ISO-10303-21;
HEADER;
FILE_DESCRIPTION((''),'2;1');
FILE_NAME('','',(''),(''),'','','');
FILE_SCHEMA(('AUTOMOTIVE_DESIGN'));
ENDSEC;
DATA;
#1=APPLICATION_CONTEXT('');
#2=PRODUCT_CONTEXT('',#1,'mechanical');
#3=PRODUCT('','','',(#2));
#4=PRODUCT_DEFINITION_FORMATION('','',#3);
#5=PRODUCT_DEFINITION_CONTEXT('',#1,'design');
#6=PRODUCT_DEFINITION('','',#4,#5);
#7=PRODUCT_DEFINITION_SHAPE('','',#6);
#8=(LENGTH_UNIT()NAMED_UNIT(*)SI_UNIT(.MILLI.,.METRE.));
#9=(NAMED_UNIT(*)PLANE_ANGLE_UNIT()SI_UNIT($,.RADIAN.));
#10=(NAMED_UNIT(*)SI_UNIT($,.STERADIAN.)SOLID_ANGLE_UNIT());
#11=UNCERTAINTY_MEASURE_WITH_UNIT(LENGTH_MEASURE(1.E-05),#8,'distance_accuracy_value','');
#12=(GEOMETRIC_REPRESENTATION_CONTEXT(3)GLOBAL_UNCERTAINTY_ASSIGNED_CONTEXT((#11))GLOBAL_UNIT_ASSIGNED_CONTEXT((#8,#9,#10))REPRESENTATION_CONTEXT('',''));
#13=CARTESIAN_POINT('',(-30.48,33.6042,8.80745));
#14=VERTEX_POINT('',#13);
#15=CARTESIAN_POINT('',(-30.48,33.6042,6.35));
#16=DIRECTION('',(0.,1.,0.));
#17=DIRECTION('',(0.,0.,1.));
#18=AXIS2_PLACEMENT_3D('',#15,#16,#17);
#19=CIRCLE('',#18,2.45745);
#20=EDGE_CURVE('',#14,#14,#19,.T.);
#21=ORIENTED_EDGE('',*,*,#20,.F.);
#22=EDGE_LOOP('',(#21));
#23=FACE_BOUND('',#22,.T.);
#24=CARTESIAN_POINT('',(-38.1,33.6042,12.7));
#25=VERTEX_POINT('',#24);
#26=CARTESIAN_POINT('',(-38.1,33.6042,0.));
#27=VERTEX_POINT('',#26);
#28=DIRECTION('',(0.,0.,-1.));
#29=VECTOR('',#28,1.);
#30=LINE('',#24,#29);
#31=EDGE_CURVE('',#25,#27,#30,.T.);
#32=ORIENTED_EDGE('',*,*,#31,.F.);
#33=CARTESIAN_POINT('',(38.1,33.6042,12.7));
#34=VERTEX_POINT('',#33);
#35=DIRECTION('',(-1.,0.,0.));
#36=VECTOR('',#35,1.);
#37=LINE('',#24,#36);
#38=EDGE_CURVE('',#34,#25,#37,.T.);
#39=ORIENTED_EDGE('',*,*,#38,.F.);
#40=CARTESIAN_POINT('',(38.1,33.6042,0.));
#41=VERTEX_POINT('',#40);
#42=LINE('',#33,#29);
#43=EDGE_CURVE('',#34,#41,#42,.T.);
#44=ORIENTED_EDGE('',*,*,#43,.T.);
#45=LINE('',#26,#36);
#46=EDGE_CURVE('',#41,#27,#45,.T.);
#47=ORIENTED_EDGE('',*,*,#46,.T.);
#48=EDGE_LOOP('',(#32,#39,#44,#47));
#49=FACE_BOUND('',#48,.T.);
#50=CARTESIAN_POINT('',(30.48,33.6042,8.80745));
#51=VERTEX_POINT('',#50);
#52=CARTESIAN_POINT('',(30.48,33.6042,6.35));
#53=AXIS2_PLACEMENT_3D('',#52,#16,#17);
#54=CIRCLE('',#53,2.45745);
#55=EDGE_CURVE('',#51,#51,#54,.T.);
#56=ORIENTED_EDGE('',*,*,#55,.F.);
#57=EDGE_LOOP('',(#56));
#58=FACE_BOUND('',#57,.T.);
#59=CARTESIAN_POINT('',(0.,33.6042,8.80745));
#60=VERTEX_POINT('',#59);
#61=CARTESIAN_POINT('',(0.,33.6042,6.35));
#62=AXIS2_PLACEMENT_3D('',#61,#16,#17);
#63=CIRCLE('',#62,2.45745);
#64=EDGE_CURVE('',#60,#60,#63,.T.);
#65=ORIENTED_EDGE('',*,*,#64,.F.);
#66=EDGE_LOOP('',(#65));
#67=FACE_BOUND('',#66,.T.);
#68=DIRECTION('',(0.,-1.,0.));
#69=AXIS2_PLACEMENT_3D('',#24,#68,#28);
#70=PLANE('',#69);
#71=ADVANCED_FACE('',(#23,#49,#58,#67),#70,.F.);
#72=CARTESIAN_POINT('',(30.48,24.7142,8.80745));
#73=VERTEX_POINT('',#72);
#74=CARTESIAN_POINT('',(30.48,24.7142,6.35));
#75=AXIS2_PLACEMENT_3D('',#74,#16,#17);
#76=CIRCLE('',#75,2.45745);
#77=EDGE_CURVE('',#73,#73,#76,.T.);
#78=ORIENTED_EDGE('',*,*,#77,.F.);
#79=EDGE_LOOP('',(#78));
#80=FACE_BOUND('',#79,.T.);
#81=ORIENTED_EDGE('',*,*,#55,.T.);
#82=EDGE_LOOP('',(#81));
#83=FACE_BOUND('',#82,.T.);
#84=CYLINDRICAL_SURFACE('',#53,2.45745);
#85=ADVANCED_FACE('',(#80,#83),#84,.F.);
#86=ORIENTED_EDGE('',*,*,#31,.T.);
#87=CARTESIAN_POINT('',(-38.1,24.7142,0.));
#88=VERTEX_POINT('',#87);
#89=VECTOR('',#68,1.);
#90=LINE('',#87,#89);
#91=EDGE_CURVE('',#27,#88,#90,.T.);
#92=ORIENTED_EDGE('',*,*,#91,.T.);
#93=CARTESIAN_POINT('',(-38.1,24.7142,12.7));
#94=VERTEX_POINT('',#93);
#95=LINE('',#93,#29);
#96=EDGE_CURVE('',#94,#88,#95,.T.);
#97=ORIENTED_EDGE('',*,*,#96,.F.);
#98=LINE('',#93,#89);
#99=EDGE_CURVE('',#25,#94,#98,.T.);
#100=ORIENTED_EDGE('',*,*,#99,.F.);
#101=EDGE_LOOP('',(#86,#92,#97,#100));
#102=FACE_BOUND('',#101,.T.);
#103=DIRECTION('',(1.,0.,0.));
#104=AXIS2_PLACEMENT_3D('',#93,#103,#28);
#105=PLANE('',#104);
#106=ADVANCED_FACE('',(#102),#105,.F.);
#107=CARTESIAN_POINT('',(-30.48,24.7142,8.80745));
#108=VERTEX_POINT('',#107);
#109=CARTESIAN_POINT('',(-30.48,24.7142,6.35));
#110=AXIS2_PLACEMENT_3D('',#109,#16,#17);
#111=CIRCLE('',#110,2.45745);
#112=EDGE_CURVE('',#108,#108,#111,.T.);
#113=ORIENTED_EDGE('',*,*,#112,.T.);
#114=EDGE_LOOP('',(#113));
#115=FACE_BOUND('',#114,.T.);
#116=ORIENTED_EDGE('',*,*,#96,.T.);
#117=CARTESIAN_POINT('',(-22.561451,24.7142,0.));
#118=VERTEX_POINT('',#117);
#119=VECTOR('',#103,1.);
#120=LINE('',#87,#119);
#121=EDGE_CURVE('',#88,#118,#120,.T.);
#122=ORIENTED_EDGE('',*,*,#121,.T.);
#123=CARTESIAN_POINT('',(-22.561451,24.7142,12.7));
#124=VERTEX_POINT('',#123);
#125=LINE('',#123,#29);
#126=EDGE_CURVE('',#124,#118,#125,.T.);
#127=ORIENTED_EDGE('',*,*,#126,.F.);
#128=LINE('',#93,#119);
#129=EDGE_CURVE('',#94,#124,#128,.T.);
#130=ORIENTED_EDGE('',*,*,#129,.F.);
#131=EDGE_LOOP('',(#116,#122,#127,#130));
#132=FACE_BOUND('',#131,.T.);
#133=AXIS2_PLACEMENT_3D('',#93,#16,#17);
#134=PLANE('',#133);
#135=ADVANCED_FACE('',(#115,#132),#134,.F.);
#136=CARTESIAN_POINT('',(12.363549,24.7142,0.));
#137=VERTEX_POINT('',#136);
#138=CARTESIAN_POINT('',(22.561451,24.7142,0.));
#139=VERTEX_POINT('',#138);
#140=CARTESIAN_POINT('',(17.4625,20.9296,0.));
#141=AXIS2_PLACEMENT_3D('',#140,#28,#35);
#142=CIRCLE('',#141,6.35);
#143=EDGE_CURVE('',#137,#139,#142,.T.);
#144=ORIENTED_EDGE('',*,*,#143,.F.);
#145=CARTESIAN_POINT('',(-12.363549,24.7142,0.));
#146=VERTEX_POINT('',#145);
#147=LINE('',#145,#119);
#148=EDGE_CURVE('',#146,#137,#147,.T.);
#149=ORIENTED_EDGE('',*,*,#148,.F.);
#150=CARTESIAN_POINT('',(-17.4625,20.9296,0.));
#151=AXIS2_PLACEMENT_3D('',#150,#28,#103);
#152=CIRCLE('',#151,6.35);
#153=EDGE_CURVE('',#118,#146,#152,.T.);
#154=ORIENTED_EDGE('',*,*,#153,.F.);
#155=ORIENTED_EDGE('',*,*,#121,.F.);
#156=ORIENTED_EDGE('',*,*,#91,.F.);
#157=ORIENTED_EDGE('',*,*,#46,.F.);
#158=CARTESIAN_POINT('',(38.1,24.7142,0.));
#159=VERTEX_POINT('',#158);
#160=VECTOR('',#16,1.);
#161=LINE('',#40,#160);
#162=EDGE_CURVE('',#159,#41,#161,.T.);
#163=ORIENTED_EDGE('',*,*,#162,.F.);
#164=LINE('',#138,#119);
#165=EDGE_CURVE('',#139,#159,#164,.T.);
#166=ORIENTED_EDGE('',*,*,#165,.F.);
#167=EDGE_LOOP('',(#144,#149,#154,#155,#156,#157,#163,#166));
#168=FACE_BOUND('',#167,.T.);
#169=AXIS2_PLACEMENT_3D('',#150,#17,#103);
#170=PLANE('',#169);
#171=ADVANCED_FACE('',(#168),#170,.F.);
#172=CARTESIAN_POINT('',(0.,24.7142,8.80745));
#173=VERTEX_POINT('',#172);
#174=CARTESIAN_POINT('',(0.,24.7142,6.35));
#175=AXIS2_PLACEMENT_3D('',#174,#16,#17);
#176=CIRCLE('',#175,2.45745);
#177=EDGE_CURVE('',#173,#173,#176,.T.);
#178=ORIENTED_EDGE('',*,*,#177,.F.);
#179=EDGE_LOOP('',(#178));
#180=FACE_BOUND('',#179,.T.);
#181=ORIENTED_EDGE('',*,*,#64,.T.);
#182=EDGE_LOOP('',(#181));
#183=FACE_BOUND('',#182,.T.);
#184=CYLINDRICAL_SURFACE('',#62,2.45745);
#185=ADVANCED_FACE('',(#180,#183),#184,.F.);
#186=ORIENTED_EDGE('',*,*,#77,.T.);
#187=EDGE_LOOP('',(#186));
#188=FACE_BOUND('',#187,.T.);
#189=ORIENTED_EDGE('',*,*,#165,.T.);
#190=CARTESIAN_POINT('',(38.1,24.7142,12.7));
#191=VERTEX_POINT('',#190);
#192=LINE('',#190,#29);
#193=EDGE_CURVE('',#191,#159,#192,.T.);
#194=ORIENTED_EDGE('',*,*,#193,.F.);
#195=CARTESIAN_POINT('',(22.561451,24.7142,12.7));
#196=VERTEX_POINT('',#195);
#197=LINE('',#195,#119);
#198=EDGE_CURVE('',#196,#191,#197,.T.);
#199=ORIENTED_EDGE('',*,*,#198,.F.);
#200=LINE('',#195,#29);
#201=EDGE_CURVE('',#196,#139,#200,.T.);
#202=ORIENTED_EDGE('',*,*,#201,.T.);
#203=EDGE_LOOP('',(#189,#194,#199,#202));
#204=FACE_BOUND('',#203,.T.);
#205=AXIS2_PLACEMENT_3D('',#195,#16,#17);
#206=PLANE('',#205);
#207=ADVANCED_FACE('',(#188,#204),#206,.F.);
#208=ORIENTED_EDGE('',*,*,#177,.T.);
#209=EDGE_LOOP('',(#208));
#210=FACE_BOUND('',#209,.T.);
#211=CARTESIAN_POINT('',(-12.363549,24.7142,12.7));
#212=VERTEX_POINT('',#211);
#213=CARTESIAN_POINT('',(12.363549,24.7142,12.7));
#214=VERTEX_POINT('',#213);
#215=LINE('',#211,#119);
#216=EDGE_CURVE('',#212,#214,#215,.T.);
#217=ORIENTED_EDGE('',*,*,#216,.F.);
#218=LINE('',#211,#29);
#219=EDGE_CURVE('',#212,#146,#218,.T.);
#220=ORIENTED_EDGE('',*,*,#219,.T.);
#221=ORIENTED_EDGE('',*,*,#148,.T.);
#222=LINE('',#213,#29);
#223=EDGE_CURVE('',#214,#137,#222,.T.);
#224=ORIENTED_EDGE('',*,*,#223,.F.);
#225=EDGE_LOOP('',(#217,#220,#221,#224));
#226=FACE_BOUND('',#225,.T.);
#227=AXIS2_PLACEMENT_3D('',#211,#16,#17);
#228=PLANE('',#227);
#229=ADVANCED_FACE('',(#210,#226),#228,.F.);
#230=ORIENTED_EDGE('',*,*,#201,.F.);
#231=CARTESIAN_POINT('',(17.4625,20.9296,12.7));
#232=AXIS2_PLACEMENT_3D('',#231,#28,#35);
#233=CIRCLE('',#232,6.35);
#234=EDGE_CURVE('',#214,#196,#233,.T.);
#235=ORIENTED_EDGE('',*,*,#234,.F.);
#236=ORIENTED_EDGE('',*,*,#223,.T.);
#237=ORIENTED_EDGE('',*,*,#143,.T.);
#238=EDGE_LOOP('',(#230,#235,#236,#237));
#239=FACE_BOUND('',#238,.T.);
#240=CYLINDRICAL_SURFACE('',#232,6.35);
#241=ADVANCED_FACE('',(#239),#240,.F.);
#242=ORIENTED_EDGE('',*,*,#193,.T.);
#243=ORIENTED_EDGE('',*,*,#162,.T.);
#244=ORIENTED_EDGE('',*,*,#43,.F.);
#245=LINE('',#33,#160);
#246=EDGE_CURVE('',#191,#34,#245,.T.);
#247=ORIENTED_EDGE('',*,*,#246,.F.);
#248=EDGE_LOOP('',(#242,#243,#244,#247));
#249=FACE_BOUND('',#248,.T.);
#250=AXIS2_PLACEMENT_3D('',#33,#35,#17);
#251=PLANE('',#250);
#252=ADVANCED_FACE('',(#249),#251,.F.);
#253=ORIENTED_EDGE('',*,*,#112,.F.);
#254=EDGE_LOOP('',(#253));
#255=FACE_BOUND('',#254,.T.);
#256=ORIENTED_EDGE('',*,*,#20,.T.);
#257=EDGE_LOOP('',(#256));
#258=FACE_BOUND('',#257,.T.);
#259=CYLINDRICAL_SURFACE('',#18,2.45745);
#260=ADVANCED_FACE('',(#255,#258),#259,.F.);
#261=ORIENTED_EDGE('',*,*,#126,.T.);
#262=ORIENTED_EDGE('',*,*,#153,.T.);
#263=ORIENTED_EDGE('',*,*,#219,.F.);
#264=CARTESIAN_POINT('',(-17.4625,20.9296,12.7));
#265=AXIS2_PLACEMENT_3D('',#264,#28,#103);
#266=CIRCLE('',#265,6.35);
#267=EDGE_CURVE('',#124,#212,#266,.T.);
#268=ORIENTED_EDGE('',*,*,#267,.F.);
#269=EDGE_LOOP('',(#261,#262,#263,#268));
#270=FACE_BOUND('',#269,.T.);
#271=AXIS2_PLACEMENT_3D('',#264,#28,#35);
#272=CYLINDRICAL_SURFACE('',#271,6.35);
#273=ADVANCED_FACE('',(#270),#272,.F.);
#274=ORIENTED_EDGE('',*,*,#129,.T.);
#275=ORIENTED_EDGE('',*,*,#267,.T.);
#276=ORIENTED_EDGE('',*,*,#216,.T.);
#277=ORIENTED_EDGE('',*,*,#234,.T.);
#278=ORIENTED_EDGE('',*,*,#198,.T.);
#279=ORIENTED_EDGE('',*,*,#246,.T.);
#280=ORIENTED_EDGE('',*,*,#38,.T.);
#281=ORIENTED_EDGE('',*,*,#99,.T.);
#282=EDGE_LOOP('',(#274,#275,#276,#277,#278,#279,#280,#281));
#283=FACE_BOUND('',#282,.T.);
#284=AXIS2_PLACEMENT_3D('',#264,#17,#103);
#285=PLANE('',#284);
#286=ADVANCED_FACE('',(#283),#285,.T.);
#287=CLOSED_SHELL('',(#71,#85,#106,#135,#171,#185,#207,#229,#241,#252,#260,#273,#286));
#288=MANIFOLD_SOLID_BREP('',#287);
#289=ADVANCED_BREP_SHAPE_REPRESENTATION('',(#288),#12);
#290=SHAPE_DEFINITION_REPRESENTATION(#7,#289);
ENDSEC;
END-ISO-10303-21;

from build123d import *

# Parameters (mm, degrees)
BOSS_EXTRUDE1_DEPTH          = 12.7
F_10_0_1935_DIAMETER_HOLE1_D = 4.9149


with BuildPart() as part:
    # Sketch1 → Boss-Extrude1 (new body)
    with BuildSketch(Plane.XY):
        with BuildLine():
            Line((38.1, 33.6042), (38.1, 24.7142))
            Line((38.1, 24.7142), (22.561451151, 24.7142))
            ThreePointArc((22.561451151, 24.7142), (17.4625, 27.2796), (12.363548849, 24.7142))
            Line((12.363548849, 24.7142), (-12.363548849, 24.7142))
            ThreePointArc((-12.363548849, 24.7142), (-17.4625, 27.2796), (-22.561451151, 24.7142))
            Line((-22.561451151, 24.7142), (-38.1, 24.7142))
            Line((-38.1, 24.7142), (-38.1, 33.6042))
            Line((-38.1, 33.6042), (38.1, 33.6042))
        make_face()
    extrude(amount=BOSS_EXTRUDE1_DEPTH)

    # #10 (0.1935) Diameter Hole1 (through all)
    with Locations(Plane(origin=(-30.48, 33.6042, 6.35), x_dir=(0, 0, 1), z_dir=(0, 1, 0))):
        with Locations((0, 0), (0, 30.48), (0, 60.96)):
            Hole(F_10_0_1935_DIAMETER_HOLE1_D / 2)


solid = part.part
